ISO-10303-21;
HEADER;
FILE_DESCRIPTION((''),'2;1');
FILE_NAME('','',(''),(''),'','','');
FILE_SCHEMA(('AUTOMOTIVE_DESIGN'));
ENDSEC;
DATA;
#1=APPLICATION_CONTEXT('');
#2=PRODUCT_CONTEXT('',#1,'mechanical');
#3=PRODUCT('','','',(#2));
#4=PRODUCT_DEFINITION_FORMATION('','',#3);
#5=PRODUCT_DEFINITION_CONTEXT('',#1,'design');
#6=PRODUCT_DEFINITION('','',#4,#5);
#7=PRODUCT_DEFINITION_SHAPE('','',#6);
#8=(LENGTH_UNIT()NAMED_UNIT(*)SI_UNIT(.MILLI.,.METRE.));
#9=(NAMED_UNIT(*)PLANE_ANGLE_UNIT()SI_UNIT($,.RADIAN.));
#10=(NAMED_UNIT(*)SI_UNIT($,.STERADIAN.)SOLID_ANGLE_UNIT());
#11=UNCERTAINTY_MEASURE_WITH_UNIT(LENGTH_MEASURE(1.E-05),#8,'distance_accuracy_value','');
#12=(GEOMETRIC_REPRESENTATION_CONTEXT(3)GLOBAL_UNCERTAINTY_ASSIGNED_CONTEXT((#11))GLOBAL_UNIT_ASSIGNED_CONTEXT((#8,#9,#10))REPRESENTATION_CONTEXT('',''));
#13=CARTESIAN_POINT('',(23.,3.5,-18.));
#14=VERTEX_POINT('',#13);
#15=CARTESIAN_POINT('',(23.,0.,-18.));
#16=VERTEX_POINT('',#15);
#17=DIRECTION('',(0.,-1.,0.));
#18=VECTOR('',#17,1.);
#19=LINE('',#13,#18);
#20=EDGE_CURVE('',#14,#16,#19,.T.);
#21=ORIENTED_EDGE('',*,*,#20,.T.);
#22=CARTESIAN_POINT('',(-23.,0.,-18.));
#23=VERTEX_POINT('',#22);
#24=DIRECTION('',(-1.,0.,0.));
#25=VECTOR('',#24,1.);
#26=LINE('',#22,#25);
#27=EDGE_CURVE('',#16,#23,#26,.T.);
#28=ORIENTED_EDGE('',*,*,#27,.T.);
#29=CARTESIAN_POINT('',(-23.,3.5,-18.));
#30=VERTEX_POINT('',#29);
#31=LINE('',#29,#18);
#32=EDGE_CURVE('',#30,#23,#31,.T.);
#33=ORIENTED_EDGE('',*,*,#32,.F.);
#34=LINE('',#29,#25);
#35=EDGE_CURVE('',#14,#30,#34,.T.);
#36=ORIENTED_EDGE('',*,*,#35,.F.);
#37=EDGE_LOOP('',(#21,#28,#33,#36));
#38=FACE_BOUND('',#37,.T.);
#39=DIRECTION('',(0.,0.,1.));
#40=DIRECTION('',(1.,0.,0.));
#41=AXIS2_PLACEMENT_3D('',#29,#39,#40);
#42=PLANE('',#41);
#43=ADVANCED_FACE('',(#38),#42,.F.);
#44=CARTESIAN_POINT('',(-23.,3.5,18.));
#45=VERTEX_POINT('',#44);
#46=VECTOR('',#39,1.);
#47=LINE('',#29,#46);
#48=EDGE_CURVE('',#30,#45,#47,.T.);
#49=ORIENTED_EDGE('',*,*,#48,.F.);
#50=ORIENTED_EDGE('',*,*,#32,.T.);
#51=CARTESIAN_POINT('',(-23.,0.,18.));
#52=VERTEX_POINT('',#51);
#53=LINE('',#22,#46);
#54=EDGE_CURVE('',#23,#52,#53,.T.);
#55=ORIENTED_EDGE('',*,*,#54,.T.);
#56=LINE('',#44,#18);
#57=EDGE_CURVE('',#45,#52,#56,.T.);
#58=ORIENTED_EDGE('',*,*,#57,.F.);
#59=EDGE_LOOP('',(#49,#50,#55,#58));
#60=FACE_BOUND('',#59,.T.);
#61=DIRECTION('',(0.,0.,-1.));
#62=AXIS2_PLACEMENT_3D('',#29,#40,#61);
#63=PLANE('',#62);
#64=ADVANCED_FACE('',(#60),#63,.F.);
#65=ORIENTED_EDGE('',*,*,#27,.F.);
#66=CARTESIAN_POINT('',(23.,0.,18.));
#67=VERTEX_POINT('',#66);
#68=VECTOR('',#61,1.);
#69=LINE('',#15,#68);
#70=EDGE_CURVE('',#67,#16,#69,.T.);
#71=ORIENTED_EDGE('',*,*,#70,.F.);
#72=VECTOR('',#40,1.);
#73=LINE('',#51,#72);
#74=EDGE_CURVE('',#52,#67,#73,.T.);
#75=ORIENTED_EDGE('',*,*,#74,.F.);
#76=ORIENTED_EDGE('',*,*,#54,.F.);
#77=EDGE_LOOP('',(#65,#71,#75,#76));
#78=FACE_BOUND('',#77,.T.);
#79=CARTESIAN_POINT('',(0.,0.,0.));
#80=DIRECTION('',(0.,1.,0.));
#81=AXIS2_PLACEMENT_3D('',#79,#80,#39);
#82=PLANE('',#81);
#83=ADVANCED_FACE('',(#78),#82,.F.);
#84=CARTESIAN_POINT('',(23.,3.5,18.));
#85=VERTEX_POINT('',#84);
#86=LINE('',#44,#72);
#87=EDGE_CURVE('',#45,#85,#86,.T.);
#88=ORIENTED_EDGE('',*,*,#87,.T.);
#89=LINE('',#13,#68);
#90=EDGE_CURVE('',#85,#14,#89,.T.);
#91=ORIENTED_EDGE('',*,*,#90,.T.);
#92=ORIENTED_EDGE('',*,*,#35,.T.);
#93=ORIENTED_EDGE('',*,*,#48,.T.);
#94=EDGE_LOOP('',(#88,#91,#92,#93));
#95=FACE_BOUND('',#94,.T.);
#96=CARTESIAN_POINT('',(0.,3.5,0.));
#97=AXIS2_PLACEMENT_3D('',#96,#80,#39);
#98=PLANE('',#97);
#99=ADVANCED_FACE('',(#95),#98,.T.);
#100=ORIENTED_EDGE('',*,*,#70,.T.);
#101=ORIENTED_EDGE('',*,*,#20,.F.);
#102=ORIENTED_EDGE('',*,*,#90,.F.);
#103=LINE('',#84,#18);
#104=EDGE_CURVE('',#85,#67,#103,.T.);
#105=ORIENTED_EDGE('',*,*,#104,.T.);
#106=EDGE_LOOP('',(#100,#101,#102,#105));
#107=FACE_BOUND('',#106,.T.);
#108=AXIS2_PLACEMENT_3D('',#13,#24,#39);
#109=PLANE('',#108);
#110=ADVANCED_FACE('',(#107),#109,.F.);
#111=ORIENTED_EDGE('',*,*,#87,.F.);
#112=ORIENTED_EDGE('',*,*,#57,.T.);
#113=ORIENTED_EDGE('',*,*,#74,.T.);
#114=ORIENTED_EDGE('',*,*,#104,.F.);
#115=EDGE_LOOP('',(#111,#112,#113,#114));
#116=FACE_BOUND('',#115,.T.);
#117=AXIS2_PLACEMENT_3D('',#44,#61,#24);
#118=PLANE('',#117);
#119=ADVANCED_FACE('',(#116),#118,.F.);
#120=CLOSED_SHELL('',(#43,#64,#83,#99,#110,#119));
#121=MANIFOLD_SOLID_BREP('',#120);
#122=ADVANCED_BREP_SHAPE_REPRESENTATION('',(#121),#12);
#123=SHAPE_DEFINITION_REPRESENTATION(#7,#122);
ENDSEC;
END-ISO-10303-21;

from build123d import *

# Parameters (mm, degrees)
ESQUISSE1_W        = 46
ESQUISSE1_H        = 36
BOSS_EXTRU_1_DEPTH = 3.5


with BuildPart() as part:
    # Esquisse1 → Boss.-Extru.1 (new body)
    with BuildSketch(Plane(origin=(0, 0, 0), x_dir=(1, 0, 0), z_dir=(0, 1, 0))):
        Rectangle(ESQUISSE1_W, ESQUISSE1_H)
    extrude(amount=BOSS_EXTRU_1_DEPTH)


solid = part.part
